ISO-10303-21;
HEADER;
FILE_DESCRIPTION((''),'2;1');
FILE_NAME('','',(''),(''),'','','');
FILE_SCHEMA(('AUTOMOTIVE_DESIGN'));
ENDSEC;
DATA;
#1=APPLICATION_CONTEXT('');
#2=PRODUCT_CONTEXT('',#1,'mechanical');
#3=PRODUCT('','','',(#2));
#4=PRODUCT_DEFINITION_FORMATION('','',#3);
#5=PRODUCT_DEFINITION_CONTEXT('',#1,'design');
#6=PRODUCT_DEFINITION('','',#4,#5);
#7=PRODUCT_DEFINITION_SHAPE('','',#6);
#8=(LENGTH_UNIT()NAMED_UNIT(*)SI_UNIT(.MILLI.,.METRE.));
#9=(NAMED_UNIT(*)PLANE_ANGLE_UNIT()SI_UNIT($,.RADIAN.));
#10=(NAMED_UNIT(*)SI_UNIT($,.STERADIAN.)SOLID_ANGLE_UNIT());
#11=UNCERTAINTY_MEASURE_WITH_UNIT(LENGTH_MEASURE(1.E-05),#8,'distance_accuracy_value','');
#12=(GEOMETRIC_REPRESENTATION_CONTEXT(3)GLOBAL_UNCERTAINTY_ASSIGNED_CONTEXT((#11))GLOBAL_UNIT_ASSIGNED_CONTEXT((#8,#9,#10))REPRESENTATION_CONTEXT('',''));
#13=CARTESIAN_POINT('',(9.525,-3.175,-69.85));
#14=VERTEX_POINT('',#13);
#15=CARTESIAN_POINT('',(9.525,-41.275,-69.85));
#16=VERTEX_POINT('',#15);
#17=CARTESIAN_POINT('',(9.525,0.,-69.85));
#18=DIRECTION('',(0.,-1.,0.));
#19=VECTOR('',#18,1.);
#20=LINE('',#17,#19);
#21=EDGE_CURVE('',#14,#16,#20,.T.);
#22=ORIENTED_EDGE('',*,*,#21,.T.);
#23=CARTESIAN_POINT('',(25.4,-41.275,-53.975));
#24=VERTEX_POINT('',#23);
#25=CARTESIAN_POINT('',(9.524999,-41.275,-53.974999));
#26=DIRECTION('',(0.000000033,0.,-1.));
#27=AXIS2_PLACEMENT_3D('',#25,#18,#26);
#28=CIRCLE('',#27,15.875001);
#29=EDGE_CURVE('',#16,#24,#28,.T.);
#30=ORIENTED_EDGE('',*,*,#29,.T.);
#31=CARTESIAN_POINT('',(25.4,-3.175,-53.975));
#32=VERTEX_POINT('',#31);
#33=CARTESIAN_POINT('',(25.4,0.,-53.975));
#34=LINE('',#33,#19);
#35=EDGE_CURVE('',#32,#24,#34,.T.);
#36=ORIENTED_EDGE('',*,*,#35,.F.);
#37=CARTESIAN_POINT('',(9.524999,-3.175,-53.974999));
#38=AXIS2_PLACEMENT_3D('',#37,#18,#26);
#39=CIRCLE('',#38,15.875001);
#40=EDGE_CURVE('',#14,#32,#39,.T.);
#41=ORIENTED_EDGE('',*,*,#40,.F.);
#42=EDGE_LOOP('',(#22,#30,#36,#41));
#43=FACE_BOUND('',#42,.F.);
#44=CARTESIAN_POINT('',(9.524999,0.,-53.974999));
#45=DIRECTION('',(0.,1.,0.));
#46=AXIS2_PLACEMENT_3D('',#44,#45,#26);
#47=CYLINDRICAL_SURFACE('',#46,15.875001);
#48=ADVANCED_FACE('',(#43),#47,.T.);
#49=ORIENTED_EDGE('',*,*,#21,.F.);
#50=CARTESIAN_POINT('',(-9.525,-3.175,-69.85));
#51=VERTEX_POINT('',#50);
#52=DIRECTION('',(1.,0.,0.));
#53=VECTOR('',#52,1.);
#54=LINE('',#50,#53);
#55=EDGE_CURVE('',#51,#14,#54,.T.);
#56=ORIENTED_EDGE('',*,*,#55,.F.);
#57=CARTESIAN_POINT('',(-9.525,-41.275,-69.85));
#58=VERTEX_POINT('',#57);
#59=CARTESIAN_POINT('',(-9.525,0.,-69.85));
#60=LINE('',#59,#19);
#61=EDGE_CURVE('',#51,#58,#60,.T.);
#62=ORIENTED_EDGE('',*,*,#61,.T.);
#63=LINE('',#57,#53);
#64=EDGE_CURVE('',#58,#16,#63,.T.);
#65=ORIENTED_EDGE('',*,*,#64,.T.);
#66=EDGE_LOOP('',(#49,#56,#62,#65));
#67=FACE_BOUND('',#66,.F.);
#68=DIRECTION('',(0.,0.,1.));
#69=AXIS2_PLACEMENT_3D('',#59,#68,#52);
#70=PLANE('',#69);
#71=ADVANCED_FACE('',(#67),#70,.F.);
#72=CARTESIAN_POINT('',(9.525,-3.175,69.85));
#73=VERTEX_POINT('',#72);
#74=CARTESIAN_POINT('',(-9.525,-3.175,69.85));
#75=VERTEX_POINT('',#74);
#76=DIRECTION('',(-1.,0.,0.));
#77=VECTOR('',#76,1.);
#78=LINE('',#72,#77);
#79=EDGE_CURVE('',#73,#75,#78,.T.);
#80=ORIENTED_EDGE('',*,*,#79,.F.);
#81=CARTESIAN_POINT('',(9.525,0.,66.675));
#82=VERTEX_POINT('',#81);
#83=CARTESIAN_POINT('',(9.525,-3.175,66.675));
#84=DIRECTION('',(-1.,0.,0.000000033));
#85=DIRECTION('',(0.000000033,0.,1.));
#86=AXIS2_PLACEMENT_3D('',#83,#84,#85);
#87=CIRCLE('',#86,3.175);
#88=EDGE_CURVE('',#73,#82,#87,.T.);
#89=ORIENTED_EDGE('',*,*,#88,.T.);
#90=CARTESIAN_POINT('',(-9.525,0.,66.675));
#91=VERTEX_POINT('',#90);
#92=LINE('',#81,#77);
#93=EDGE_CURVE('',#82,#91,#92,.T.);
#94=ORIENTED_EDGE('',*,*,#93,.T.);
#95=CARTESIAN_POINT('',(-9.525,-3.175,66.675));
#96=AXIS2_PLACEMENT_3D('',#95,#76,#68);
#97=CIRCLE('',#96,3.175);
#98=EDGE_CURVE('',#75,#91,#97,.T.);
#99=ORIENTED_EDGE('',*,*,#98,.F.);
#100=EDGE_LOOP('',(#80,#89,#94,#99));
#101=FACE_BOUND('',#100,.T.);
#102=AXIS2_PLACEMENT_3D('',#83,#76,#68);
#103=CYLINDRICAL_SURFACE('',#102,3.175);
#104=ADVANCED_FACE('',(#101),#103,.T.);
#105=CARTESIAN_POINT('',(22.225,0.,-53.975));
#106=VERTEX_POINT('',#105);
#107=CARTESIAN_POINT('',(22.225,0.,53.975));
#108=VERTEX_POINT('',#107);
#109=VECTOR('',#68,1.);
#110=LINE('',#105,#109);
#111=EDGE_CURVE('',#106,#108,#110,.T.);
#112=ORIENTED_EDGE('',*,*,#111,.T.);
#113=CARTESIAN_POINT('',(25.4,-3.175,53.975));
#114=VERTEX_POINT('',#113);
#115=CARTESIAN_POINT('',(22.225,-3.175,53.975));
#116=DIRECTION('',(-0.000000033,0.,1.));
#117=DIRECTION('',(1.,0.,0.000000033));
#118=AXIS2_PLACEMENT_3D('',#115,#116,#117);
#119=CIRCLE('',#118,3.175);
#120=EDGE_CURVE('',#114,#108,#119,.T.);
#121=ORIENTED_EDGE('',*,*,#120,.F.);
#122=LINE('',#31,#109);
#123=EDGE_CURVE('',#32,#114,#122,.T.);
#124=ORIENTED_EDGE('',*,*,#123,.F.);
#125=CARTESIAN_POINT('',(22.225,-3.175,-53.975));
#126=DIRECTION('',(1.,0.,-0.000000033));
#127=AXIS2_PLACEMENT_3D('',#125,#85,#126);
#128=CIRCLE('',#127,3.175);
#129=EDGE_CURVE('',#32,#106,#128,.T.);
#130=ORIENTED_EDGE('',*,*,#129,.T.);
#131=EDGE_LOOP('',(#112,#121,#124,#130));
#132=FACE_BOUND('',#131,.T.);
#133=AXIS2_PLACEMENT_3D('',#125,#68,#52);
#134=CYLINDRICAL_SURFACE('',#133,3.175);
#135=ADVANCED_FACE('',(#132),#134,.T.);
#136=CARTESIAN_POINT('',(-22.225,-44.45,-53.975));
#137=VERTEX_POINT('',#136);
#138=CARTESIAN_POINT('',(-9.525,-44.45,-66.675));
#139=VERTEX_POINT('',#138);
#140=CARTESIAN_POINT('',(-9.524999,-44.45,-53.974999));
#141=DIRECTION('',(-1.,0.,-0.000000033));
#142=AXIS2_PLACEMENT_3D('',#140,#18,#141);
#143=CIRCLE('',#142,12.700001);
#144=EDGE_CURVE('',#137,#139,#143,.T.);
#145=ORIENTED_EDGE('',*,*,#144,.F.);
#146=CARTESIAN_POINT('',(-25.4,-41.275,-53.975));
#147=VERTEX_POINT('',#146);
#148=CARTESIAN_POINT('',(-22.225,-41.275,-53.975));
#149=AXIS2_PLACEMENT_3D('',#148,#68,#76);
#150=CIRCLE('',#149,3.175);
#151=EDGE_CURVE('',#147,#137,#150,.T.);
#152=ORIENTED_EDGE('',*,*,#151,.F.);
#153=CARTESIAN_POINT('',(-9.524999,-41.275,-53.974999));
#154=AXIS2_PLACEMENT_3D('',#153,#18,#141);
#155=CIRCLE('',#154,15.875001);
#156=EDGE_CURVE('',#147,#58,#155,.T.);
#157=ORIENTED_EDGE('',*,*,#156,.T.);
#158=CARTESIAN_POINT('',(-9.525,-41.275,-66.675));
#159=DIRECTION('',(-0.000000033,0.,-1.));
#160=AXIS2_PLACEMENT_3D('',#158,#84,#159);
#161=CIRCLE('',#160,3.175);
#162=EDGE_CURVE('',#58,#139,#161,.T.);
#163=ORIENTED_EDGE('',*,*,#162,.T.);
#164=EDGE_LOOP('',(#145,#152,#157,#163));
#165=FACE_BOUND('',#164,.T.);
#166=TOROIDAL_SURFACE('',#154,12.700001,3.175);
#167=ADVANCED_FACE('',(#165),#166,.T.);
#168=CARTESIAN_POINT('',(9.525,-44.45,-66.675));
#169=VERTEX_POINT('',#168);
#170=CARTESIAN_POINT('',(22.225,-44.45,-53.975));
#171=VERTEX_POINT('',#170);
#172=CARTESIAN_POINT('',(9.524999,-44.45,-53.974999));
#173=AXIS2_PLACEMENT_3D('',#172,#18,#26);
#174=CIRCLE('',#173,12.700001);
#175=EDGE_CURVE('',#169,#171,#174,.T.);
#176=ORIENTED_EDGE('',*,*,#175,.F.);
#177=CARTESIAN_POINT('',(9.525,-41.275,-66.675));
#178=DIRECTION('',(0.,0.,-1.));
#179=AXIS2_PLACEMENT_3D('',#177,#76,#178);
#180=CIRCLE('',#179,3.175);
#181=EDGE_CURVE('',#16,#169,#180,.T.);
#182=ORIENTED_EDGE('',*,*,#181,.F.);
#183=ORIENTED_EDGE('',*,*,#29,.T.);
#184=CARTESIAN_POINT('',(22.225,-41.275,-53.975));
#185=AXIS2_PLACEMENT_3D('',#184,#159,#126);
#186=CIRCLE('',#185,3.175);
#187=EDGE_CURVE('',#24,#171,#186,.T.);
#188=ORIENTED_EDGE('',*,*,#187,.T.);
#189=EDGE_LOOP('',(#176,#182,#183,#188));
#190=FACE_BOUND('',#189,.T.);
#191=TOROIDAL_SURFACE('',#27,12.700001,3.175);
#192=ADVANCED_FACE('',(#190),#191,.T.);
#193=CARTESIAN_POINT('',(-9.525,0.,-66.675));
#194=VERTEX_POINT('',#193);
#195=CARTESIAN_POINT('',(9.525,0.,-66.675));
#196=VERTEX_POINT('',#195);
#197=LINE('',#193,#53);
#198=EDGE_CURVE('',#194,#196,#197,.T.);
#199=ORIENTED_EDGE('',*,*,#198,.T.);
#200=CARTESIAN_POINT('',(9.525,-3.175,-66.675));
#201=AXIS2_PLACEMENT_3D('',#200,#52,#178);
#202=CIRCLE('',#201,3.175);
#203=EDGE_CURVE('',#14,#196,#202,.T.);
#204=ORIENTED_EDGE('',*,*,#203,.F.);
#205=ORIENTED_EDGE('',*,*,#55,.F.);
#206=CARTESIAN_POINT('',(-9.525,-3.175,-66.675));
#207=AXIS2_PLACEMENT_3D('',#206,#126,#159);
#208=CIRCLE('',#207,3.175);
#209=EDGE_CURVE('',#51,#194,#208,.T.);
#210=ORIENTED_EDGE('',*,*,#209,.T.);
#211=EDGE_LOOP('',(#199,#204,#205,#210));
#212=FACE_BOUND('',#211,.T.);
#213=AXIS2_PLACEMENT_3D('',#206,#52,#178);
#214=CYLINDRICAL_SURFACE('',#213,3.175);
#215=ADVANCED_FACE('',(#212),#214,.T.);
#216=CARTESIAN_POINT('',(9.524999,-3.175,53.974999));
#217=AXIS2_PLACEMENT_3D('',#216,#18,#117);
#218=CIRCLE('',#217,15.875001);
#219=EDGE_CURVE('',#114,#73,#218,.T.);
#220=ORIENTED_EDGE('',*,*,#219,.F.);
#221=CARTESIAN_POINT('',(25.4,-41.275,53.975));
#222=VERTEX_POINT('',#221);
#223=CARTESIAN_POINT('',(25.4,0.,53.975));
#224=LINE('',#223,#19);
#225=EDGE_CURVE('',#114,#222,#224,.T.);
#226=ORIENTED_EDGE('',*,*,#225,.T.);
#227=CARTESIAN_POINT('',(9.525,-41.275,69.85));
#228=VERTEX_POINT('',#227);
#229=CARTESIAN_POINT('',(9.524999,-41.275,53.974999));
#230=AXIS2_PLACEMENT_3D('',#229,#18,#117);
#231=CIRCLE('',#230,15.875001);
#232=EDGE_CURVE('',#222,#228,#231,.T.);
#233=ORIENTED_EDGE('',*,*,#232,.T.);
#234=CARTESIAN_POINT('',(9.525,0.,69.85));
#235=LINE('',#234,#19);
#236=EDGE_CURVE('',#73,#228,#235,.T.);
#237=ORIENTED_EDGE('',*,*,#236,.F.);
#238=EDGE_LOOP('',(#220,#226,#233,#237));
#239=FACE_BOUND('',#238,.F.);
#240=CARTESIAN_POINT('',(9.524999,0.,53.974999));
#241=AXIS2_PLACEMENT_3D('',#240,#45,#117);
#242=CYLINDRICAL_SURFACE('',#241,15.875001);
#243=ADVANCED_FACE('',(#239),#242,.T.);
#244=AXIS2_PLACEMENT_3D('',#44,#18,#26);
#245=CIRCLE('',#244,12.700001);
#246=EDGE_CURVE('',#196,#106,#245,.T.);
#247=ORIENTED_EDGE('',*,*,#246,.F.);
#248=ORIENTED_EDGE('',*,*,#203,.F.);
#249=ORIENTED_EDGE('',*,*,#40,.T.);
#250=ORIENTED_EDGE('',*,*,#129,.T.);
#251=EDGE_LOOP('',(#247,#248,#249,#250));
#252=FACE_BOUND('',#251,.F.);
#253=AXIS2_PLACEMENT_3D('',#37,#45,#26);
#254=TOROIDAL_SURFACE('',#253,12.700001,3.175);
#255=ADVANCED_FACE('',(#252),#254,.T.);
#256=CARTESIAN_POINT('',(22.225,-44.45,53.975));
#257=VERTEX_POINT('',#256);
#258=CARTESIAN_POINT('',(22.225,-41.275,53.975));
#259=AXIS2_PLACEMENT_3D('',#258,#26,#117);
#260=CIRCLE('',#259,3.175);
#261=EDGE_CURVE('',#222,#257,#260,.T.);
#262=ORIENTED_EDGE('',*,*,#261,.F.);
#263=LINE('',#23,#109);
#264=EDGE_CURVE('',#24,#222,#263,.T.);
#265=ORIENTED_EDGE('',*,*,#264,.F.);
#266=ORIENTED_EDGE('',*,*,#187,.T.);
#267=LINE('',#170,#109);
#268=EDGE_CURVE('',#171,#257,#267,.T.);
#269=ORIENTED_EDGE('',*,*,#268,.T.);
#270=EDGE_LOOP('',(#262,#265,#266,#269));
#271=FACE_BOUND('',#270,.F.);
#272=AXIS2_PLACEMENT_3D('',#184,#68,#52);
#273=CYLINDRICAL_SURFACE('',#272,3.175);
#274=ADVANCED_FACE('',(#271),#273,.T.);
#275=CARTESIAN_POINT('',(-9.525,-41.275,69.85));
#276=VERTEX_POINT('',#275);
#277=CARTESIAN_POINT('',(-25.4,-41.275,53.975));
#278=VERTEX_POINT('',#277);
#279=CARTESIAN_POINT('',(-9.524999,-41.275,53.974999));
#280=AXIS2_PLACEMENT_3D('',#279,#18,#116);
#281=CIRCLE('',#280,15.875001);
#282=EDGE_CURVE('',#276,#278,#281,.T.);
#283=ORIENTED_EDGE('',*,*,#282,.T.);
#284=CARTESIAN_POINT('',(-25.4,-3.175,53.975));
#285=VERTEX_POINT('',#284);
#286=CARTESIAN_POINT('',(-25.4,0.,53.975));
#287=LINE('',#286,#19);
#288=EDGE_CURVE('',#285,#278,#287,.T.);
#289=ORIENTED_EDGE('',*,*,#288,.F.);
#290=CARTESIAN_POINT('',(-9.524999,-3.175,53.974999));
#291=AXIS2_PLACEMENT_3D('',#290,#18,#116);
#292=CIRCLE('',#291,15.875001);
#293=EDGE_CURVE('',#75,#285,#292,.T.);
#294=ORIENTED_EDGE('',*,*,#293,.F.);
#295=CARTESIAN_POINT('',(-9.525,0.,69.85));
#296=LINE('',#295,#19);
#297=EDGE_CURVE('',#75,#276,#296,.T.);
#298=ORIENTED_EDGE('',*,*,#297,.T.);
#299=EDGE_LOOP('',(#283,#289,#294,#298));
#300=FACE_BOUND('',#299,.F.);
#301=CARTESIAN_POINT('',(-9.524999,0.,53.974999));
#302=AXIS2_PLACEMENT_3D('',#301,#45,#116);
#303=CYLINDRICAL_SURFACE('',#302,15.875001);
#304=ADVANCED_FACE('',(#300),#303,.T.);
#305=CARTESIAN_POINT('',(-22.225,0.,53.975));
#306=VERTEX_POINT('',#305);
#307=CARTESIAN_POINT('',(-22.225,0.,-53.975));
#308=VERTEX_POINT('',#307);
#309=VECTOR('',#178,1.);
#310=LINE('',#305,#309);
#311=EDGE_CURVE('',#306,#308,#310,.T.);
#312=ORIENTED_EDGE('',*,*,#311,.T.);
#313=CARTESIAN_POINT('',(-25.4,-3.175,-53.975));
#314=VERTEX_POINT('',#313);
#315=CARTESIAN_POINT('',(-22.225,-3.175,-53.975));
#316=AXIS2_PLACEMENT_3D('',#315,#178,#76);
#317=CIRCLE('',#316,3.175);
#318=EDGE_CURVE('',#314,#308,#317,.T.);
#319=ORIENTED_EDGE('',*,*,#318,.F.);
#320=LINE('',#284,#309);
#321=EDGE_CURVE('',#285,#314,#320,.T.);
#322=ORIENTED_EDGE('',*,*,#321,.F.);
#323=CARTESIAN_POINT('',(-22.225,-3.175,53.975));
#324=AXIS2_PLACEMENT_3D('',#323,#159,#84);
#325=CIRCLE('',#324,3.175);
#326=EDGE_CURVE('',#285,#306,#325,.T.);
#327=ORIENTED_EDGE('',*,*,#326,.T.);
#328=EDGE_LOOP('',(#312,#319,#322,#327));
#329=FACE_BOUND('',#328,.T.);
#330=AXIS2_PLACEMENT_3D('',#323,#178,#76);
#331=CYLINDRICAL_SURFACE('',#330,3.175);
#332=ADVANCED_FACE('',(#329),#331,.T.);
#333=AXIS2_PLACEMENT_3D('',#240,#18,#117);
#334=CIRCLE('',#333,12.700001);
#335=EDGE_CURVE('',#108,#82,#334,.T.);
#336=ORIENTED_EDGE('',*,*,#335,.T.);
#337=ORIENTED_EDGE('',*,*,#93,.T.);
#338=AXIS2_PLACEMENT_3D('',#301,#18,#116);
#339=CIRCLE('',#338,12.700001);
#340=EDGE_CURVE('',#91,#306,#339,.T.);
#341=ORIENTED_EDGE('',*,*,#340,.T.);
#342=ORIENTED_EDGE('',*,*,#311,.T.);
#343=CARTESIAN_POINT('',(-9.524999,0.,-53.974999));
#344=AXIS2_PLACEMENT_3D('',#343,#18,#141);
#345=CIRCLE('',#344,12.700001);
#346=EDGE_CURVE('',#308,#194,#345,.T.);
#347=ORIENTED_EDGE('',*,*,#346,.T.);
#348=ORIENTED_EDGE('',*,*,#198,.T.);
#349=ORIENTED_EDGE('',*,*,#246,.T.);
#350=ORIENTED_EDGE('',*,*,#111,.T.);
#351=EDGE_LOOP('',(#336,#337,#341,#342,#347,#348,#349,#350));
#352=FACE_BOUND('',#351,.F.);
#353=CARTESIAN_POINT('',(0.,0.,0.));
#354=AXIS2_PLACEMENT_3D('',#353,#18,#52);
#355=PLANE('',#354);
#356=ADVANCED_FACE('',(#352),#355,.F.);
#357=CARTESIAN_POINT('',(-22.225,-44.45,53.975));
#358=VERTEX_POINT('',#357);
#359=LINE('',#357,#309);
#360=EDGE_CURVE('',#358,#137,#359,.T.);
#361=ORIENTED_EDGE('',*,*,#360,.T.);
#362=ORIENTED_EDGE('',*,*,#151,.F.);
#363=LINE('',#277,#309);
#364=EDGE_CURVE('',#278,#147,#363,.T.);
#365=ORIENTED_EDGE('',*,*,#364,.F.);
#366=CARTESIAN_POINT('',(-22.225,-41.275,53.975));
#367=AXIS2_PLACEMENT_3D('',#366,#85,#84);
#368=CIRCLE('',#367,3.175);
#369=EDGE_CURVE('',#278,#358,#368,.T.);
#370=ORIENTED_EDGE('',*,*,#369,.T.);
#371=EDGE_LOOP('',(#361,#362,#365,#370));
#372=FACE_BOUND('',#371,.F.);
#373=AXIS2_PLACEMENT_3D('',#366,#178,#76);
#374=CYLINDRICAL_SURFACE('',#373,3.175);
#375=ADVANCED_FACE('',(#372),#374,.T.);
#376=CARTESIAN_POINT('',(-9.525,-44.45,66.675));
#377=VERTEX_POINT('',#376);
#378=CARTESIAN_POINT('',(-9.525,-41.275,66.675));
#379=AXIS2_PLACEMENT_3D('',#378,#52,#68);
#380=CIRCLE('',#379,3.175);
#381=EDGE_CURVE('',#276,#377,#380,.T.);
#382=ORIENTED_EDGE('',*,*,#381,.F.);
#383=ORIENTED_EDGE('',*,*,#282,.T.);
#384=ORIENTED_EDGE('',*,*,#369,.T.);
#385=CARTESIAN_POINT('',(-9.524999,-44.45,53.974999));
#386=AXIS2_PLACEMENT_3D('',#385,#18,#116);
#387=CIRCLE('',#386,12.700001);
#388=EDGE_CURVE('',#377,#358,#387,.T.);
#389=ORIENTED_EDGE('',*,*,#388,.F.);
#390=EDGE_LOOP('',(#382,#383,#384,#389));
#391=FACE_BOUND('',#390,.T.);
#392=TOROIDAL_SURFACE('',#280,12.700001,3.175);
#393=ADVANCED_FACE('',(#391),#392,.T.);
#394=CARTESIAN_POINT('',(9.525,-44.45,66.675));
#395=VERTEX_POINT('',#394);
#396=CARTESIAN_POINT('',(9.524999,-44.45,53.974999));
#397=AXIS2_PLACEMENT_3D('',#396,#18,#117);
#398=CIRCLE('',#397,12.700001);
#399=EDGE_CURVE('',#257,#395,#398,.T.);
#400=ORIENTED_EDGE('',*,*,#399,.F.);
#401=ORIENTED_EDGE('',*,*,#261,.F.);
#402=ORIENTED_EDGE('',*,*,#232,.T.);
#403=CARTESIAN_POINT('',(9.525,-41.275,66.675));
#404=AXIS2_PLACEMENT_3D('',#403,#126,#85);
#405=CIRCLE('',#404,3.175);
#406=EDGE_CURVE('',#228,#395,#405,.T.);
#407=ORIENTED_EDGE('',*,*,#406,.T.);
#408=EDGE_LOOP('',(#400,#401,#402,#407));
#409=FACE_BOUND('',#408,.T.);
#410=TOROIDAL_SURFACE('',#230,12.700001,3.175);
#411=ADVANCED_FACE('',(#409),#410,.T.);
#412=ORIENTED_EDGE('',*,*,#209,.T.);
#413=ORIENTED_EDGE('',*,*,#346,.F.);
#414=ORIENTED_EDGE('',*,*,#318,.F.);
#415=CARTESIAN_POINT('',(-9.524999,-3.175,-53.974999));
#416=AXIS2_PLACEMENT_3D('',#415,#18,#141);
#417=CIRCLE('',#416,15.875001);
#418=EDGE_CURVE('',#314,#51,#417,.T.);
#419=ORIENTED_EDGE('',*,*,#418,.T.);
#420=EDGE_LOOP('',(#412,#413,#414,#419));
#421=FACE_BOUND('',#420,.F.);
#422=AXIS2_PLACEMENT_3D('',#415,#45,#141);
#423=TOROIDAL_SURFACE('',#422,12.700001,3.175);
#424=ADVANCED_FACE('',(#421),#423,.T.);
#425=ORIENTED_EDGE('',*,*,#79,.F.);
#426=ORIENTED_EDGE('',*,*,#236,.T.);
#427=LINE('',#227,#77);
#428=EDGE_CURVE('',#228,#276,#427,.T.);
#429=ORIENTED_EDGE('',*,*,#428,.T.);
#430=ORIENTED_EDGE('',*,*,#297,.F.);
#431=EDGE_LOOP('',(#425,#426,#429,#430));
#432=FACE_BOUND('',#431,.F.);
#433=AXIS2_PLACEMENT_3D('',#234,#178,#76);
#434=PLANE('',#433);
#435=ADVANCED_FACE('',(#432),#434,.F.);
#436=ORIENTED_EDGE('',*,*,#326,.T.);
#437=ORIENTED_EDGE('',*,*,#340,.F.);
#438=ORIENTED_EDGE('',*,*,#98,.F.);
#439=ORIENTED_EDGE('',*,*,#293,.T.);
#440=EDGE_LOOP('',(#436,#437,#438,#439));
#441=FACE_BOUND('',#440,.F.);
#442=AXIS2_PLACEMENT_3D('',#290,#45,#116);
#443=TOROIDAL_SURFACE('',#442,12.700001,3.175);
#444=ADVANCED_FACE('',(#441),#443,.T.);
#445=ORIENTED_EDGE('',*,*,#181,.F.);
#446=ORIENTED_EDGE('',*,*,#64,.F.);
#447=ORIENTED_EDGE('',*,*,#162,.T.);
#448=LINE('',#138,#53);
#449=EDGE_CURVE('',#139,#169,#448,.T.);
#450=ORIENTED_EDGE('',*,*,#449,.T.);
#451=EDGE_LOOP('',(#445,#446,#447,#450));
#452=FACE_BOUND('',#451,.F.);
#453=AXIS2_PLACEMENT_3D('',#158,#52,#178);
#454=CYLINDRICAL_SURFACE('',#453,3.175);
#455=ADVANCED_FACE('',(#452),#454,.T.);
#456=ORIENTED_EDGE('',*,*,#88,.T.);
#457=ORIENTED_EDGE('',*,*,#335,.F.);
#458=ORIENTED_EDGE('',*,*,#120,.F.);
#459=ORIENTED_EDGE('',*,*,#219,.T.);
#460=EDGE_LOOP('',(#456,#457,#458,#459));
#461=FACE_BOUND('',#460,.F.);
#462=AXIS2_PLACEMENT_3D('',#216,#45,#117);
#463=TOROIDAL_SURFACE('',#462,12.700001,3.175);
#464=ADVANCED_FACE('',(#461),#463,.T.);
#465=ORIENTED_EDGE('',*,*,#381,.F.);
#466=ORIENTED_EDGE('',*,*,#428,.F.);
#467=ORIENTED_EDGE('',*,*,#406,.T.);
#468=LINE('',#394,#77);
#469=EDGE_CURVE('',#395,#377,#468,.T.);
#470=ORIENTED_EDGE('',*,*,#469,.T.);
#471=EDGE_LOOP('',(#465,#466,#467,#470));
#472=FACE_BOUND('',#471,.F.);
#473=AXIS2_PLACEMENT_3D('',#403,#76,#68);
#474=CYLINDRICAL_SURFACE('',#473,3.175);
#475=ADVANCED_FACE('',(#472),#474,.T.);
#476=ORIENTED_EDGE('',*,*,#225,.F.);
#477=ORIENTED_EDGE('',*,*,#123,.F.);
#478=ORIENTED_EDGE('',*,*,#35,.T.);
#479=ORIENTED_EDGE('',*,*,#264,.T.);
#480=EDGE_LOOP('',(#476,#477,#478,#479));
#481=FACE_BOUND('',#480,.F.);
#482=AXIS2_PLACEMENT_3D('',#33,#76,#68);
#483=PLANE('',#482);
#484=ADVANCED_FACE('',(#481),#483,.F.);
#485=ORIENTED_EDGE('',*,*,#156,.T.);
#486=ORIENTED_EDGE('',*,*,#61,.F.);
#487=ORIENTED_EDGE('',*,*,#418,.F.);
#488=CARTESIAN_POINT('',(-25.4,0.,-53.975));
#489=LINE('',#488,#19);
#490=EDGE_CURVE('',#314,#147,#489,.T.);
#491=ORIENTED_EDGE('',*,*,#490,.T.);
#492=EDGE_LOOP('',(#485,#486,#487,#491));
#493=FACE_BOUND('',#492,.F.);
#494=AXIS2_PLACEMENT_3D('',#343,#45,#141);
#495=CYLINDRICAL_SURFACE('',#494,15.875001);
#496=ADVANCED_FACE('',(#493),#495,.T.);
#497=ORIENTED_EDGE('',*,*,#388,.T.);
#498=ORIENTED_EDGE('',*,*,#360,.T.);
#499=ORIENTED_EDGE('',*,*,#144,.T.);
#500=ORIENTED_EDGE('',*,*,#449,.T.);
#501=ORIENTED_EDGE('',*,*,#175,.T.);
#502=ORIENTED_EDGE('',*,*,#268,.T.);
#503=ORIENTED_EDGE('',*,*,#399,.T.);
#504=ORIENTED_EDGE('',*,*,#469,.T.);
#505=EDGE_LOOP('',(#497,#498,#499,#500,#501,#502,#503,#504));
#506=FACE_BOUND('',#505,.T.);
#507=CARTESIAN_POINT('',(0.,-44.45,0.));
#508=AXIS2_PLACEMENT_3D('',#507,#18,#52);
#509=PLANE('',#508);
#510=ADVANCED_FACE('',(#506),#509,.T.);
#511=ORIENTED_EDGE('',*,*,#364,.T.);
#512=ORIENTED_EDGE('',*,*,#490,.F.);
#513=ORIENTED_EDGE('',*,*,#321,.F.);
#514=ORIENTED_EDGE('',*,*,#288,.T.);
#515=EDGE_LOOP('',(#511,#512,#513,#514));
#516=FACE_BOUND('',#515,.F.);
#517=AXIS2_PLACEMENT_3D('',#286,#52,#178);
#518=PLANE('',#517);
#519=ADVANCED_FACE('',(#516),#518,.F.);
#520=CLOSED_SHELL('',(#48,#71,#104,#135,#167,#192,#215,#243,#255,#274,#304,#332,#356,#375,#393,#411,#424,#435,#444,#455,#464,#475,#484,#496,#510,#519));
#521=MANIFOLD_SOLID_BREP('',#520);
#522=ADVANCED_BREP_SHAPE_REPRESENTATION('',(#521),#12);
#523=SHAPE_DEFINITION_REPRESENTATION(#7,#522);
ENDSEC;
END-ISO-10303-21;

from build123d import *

# Parameters (mm, degrees)
F1_DEPTH = 44.45
F2_R     = 3.175


with BuildPart() as f1:
    # F0 (on Front) → F1 (new body)
    with BuildSketch(Plane.XZ):
        with BuildLine():
            ThreePointArc((25.4, 53.975), (20.75032, 65.20032), (9.525, 69.85))
            Line((9.525, 69.85), (-9.525, 69.85))
            ThreePointArc((-9.525, 69.85), (-20.75032, 65.20032), (-25.4, 53.975))
            Line((-25.4, 53.975), (-25.4, -53.975))
            ThreePointArc((-25.4, -53.975), (-20.75032, -65.20032), (-9.525, -69.85))
            Line((-9.525, -69.85), (9.525, -69.85))
            ThreePointArc((9.525, -69.85), (20.75032, -65.20032), (25.4, -53.975))
            Line((25.4, -53.975), (25.4, 53.975))
        make_face()
    extrude(amount=F1_DEPTH)

    # F2
    f2_edges = [f1.edges().sort_by_distance(p)[0] for p in [
        (20.75032, -44.45, 65.20032),
        (0, -44.45, 69.85),
        (-20.75032, -44.45, 65.20032),
        (25.4, -44.45, 0),
        (20.75032, -44.45, -65.20032),
        (0, -44.45, -69.85),
        (-20.75032, -44.45, -65.20032),
        (-25.4, -44.45, 0),
        (20.75032, 0, 65.20032),
        (25.4, 0, 0),
        (20.75032, 0, -65.20032),
        (0, 0, 69.85),
        (-20.75032, 0, 65.20032),
        (0, 0, -69.85),
        (-20.75032, 0, -65.20032),
        (-25.4, 0, 0),
    ]]
    fillet(f2_edges, radius=F2_R)


solid = f1.part
